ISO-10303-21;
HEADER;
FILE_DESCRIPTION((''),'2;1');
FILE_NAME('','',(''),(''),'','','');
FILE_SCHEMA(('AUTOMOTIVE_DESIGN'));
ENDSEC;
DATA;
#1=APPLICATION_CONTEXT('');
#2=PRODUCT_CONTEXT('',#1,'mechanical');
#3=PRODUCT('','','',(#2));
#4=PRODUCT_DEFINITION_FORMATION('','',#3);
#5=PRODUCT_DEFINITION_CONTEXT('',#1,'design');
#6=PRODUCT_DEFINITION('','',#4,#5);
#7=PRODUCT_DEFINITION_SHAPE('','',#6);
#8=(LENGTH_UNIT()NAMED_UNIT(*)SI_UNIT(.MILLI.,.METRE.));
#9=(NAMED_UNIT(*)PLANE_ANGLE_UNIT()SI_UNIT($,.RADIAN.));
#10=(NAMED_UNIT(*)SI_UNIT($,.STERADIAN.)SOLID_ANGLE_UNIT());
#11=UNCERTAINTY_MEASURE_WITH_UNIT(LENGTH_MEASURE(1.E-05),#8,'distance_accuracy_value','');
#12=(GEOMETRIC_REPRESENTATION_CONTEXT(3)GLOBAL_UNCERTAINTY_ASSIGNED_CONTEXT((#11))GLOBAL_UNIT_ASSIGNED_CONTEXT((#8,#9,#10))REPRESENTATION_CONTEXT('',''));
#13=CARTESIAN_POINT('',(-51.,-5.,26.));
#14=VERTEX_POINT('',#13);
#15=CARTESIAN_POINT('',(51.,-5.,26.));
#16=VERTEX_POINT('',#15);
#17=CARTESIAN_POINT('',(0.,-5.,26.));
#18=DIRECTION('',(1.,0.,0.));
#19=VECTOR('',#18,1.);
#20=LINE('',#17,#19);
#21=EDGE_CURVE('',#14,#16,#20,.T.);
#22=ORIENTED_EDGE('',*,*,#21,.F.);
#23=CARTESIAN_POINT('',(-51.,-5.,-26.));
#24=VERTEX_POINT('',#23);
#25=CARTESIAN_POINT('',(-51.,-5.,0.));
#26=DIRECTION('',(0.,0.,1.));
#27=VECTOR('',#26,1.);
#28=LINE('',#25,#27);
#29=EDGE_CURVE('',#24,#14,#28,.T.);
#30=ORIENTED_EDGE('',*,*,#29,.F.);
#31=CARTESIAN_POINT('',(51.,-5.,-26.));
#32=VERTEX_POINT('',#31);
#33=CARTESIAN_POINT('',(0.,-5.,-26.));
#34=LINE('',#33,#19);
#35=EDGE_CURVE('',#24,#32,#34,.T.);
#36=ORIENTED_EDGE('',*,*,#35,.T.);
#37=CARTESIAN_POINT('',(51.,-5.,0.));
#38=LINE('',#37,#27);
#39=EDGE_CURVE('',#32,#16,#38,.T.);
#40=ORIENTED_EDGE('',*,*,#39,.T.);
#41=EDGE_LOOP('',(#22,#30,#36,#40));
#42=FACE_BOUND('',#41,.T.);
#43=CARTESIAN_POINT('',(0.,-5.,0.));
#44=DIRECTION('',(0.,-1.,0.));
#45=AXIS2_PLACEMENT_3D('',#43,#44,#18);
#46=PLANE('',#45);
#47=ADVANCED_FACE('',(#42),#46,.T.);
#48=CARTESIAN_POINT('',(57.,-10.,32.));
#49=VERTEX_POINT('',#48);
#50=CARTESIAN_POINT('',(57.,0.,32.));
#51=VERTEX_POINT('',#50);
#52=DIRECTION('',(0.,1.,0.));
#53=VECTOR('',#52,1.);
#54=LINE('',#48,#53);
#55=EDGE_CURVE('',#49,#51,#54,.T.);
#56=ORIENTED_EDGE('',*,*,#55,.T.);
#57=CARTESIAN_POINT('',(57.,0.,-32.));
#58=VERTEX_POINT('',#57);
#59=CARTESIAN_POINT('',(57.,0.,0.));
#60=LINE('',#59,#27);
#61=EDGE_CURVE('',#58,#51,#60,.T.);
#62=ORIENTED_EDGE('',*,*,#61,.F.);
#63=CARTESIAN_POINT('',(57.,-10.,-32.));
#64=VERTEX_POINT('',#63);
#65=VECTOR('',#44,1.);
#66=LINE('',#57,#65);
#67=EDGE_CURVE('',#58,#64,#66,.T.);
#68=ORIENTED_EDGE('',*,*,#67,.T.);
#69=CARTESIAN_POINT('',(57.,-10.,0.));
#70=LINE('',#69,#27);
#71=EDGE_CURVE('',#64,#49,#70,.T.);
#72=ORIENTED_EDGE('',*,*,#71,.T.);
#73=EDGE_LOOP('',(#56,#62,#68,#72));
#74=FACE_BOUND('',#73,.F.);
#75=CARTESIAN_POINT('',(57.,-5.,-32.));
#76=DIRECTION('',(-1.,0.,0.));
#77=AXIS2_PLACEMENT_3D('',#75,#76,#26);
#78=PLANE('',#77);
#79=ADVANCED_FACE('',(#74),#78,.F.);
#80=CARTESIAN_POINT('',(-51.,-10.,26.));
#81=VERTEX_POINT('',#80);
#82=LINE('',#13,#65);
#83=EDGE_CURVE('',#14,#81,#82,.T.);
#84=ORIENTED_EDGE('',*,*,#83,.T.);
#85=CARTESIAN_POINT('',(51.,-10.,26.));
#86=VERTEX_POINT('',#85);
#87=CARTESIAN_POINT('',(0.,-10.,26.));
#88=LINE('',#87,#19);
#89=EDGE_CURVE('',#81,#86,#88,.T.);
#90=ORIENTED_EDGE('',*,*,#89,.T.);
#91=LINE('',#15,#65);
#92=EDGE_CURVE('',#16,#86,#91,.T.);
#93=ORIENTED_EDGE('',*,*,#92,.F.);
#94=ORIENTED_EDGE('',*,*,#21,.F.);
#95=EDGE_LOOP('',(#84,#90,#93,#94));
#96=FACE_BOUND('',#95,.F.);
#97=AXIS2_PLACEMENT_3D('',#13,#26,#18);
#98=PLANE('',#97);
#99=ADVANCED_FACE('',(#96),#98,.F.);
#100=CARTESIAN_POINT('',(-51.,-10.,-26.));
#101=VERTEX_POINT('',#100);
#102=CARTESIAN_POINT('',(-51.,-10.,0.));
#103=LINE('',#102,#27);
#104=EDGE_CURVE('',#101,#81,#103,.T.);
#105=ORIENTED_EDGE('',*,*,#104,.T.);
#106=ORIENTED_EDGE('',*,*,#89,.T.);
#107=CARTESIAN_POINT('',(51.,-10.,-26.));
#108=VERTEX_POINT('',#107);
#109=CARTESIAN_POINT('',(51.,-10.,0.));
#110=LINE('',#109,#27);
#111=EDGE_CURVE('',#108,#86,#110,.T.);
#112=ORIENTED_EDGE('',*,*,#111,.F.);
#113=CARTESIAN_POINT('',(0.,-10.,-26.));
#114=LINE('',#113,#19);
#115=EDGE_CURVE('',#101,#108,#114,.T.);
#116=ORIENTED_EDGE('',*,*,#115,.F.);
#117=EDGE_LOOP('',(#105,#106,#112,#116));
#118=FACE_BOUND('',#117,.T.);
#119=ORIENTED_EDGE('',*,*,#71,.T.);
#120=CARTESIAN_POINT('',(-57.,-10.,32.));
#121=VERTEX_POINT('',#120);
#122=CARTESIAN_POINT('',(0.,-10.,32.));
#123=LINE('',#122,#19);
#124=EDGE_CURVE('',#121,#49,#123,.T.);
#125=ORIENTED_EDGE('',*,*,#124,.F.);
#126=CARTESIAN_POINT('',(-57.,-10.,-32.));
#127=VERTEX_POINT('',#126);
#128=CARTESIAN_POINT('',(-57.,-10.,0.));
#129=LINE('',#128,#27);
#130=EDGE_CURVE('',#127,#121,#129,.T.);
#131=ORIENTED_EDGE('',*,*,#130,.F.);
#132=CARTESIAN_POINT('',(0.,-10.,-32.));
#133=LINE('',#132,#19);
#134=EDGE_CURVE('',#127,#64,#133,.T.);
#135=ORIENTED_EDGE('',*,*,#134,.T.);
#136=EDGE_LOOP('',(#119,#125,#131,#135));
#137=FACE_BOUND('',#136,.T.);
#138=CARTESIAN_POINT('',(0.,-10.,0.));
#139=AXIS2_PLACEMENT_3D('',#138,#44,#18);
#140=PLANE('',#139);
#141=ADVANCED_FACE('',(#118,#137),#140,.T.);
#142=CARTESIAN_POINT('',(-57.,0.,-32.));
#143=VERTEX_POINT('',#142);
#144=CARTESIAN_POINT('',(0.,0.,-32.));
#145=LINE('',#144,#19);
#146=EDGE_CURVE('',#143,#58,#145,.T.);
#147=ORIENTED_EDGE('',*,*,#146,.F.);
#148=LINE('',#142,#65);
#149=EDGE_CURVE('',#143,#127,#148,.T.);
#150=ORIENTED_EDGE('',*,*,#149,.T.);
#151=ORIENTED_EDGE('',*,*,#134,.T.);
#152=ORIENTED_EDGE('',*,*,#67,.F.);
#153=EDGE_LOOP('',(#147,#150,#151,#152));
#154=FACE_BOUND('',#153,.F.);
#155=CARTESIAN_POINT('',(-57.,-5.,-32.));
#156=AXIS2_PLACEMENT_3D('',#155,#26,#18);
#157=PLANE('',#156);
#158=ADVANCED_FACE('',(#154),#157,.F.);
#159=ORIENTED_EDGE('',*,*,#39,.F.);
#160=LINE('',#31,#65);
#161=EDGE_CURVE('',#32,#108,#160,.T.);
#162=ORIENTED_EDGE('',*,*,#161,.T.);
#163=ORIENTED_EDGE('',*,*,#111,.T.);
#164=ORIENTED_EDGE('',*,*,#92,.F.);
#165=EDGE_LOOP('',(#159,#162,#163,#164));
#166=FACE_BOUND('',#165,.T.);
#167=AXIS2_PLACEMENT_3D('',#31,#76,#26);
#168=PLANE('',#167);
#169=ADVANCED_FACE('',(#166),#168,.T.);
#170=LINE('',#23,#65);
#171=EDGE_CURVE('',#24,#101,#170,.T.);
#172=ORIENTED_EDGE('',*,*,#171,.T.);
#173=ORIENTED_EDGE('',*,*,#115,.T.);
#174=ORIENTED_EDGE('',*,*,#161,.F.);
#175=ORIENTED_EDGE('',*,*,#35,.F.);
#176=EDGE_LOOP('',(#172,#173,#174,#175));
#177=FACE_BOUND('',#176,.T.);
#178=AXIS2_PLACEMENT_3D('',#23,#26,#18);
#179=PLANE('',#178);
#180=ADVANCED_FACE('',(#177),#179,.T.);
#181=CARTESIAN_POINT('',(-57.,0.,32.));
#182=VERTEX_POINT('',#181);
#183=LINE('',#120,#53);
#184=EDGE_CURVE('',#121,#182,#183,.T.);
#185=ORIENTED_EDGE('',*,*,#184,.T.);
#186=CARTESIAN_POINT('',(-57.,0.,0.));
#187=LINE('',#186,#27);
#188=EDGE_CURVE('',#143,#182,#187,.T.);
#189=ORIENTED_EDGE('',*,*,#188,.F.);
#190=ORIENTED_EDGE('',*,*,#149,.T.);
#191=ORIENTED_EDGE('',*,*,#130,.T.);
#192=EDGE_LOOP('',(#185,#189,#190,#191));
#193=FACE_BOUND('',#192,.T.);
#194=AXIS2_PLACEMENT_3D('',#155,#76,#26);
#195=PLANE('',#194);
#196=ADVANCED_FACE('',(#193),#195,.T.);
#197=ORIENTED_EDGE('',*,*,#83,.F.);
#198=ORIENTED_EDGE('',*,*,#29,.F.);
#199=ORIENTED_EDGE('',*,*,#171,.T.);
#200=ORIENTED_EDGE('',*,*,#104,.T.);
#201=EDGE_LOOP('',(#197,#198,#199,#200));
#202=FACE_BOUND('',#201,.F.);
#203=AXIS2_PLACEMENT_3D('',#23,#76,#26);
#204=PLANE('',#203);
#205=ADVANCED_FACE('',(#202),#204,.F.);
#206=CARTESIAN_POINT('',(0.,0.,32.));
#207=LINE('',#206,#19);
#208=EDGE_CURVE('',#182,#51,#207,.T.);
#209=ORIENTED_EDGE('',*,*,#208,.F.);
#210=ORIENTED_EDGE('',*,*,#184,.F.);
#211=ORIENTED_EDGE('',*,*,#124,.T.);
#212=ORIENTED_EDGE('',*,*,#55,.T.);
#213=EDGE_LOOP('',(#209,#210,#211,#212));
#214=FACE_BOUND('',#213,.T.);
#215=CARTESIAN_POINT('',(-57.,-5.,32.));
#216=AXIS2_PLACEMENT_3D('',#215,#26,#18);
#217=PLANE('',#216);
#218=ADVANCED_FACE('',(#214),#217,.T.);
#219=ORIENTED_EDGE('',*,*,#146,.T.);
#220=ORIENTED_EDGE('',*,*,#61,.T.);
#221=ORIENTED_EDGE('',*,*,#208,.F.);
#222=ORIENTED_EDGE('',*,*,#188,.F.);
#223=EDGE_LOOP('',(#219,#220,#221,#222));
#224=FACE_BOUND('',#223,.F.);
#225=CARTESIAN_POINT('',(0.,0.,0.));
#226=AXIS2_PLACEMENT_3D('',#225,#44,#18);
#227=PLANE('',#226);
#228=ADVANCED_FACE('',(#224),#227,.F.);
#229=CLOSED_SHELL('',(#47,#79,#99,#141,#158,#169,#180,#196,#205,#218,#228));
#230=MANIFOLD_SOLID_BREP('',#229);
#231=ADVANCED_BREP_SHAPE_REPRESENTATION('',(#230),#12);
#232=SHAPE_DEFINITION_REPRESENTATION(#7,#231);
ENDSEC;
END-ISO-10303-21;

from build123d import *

# Parameters (mm, degrees)
F0_W     = 114
F0_H     = 64
F1_DEPTH = 5
F2_W     = 114
F2_H     = 64
F2_W_2   = 102
F2_H_2   = 52
F3_DEPTH = 5


with BuildPart() as f1:
    # F0 (on Front) → F1 (new body)
    with BuildSketch(Plane.XZ):
        Rectangle(F0_W, F0_H)
    extrude(amount=F1_DEPTH)

    # F2 (on face) → F3 (join)
    with BuildSketch(Plane.XZ.offset(5)):
        Rectangle(F2_W, F2_H)
        Rectangle(F2_W_2, F2_H_2, mode=Mode.SUBTRACT)
    extrude(amount=F3_DEPTH)


solid = f1.part
